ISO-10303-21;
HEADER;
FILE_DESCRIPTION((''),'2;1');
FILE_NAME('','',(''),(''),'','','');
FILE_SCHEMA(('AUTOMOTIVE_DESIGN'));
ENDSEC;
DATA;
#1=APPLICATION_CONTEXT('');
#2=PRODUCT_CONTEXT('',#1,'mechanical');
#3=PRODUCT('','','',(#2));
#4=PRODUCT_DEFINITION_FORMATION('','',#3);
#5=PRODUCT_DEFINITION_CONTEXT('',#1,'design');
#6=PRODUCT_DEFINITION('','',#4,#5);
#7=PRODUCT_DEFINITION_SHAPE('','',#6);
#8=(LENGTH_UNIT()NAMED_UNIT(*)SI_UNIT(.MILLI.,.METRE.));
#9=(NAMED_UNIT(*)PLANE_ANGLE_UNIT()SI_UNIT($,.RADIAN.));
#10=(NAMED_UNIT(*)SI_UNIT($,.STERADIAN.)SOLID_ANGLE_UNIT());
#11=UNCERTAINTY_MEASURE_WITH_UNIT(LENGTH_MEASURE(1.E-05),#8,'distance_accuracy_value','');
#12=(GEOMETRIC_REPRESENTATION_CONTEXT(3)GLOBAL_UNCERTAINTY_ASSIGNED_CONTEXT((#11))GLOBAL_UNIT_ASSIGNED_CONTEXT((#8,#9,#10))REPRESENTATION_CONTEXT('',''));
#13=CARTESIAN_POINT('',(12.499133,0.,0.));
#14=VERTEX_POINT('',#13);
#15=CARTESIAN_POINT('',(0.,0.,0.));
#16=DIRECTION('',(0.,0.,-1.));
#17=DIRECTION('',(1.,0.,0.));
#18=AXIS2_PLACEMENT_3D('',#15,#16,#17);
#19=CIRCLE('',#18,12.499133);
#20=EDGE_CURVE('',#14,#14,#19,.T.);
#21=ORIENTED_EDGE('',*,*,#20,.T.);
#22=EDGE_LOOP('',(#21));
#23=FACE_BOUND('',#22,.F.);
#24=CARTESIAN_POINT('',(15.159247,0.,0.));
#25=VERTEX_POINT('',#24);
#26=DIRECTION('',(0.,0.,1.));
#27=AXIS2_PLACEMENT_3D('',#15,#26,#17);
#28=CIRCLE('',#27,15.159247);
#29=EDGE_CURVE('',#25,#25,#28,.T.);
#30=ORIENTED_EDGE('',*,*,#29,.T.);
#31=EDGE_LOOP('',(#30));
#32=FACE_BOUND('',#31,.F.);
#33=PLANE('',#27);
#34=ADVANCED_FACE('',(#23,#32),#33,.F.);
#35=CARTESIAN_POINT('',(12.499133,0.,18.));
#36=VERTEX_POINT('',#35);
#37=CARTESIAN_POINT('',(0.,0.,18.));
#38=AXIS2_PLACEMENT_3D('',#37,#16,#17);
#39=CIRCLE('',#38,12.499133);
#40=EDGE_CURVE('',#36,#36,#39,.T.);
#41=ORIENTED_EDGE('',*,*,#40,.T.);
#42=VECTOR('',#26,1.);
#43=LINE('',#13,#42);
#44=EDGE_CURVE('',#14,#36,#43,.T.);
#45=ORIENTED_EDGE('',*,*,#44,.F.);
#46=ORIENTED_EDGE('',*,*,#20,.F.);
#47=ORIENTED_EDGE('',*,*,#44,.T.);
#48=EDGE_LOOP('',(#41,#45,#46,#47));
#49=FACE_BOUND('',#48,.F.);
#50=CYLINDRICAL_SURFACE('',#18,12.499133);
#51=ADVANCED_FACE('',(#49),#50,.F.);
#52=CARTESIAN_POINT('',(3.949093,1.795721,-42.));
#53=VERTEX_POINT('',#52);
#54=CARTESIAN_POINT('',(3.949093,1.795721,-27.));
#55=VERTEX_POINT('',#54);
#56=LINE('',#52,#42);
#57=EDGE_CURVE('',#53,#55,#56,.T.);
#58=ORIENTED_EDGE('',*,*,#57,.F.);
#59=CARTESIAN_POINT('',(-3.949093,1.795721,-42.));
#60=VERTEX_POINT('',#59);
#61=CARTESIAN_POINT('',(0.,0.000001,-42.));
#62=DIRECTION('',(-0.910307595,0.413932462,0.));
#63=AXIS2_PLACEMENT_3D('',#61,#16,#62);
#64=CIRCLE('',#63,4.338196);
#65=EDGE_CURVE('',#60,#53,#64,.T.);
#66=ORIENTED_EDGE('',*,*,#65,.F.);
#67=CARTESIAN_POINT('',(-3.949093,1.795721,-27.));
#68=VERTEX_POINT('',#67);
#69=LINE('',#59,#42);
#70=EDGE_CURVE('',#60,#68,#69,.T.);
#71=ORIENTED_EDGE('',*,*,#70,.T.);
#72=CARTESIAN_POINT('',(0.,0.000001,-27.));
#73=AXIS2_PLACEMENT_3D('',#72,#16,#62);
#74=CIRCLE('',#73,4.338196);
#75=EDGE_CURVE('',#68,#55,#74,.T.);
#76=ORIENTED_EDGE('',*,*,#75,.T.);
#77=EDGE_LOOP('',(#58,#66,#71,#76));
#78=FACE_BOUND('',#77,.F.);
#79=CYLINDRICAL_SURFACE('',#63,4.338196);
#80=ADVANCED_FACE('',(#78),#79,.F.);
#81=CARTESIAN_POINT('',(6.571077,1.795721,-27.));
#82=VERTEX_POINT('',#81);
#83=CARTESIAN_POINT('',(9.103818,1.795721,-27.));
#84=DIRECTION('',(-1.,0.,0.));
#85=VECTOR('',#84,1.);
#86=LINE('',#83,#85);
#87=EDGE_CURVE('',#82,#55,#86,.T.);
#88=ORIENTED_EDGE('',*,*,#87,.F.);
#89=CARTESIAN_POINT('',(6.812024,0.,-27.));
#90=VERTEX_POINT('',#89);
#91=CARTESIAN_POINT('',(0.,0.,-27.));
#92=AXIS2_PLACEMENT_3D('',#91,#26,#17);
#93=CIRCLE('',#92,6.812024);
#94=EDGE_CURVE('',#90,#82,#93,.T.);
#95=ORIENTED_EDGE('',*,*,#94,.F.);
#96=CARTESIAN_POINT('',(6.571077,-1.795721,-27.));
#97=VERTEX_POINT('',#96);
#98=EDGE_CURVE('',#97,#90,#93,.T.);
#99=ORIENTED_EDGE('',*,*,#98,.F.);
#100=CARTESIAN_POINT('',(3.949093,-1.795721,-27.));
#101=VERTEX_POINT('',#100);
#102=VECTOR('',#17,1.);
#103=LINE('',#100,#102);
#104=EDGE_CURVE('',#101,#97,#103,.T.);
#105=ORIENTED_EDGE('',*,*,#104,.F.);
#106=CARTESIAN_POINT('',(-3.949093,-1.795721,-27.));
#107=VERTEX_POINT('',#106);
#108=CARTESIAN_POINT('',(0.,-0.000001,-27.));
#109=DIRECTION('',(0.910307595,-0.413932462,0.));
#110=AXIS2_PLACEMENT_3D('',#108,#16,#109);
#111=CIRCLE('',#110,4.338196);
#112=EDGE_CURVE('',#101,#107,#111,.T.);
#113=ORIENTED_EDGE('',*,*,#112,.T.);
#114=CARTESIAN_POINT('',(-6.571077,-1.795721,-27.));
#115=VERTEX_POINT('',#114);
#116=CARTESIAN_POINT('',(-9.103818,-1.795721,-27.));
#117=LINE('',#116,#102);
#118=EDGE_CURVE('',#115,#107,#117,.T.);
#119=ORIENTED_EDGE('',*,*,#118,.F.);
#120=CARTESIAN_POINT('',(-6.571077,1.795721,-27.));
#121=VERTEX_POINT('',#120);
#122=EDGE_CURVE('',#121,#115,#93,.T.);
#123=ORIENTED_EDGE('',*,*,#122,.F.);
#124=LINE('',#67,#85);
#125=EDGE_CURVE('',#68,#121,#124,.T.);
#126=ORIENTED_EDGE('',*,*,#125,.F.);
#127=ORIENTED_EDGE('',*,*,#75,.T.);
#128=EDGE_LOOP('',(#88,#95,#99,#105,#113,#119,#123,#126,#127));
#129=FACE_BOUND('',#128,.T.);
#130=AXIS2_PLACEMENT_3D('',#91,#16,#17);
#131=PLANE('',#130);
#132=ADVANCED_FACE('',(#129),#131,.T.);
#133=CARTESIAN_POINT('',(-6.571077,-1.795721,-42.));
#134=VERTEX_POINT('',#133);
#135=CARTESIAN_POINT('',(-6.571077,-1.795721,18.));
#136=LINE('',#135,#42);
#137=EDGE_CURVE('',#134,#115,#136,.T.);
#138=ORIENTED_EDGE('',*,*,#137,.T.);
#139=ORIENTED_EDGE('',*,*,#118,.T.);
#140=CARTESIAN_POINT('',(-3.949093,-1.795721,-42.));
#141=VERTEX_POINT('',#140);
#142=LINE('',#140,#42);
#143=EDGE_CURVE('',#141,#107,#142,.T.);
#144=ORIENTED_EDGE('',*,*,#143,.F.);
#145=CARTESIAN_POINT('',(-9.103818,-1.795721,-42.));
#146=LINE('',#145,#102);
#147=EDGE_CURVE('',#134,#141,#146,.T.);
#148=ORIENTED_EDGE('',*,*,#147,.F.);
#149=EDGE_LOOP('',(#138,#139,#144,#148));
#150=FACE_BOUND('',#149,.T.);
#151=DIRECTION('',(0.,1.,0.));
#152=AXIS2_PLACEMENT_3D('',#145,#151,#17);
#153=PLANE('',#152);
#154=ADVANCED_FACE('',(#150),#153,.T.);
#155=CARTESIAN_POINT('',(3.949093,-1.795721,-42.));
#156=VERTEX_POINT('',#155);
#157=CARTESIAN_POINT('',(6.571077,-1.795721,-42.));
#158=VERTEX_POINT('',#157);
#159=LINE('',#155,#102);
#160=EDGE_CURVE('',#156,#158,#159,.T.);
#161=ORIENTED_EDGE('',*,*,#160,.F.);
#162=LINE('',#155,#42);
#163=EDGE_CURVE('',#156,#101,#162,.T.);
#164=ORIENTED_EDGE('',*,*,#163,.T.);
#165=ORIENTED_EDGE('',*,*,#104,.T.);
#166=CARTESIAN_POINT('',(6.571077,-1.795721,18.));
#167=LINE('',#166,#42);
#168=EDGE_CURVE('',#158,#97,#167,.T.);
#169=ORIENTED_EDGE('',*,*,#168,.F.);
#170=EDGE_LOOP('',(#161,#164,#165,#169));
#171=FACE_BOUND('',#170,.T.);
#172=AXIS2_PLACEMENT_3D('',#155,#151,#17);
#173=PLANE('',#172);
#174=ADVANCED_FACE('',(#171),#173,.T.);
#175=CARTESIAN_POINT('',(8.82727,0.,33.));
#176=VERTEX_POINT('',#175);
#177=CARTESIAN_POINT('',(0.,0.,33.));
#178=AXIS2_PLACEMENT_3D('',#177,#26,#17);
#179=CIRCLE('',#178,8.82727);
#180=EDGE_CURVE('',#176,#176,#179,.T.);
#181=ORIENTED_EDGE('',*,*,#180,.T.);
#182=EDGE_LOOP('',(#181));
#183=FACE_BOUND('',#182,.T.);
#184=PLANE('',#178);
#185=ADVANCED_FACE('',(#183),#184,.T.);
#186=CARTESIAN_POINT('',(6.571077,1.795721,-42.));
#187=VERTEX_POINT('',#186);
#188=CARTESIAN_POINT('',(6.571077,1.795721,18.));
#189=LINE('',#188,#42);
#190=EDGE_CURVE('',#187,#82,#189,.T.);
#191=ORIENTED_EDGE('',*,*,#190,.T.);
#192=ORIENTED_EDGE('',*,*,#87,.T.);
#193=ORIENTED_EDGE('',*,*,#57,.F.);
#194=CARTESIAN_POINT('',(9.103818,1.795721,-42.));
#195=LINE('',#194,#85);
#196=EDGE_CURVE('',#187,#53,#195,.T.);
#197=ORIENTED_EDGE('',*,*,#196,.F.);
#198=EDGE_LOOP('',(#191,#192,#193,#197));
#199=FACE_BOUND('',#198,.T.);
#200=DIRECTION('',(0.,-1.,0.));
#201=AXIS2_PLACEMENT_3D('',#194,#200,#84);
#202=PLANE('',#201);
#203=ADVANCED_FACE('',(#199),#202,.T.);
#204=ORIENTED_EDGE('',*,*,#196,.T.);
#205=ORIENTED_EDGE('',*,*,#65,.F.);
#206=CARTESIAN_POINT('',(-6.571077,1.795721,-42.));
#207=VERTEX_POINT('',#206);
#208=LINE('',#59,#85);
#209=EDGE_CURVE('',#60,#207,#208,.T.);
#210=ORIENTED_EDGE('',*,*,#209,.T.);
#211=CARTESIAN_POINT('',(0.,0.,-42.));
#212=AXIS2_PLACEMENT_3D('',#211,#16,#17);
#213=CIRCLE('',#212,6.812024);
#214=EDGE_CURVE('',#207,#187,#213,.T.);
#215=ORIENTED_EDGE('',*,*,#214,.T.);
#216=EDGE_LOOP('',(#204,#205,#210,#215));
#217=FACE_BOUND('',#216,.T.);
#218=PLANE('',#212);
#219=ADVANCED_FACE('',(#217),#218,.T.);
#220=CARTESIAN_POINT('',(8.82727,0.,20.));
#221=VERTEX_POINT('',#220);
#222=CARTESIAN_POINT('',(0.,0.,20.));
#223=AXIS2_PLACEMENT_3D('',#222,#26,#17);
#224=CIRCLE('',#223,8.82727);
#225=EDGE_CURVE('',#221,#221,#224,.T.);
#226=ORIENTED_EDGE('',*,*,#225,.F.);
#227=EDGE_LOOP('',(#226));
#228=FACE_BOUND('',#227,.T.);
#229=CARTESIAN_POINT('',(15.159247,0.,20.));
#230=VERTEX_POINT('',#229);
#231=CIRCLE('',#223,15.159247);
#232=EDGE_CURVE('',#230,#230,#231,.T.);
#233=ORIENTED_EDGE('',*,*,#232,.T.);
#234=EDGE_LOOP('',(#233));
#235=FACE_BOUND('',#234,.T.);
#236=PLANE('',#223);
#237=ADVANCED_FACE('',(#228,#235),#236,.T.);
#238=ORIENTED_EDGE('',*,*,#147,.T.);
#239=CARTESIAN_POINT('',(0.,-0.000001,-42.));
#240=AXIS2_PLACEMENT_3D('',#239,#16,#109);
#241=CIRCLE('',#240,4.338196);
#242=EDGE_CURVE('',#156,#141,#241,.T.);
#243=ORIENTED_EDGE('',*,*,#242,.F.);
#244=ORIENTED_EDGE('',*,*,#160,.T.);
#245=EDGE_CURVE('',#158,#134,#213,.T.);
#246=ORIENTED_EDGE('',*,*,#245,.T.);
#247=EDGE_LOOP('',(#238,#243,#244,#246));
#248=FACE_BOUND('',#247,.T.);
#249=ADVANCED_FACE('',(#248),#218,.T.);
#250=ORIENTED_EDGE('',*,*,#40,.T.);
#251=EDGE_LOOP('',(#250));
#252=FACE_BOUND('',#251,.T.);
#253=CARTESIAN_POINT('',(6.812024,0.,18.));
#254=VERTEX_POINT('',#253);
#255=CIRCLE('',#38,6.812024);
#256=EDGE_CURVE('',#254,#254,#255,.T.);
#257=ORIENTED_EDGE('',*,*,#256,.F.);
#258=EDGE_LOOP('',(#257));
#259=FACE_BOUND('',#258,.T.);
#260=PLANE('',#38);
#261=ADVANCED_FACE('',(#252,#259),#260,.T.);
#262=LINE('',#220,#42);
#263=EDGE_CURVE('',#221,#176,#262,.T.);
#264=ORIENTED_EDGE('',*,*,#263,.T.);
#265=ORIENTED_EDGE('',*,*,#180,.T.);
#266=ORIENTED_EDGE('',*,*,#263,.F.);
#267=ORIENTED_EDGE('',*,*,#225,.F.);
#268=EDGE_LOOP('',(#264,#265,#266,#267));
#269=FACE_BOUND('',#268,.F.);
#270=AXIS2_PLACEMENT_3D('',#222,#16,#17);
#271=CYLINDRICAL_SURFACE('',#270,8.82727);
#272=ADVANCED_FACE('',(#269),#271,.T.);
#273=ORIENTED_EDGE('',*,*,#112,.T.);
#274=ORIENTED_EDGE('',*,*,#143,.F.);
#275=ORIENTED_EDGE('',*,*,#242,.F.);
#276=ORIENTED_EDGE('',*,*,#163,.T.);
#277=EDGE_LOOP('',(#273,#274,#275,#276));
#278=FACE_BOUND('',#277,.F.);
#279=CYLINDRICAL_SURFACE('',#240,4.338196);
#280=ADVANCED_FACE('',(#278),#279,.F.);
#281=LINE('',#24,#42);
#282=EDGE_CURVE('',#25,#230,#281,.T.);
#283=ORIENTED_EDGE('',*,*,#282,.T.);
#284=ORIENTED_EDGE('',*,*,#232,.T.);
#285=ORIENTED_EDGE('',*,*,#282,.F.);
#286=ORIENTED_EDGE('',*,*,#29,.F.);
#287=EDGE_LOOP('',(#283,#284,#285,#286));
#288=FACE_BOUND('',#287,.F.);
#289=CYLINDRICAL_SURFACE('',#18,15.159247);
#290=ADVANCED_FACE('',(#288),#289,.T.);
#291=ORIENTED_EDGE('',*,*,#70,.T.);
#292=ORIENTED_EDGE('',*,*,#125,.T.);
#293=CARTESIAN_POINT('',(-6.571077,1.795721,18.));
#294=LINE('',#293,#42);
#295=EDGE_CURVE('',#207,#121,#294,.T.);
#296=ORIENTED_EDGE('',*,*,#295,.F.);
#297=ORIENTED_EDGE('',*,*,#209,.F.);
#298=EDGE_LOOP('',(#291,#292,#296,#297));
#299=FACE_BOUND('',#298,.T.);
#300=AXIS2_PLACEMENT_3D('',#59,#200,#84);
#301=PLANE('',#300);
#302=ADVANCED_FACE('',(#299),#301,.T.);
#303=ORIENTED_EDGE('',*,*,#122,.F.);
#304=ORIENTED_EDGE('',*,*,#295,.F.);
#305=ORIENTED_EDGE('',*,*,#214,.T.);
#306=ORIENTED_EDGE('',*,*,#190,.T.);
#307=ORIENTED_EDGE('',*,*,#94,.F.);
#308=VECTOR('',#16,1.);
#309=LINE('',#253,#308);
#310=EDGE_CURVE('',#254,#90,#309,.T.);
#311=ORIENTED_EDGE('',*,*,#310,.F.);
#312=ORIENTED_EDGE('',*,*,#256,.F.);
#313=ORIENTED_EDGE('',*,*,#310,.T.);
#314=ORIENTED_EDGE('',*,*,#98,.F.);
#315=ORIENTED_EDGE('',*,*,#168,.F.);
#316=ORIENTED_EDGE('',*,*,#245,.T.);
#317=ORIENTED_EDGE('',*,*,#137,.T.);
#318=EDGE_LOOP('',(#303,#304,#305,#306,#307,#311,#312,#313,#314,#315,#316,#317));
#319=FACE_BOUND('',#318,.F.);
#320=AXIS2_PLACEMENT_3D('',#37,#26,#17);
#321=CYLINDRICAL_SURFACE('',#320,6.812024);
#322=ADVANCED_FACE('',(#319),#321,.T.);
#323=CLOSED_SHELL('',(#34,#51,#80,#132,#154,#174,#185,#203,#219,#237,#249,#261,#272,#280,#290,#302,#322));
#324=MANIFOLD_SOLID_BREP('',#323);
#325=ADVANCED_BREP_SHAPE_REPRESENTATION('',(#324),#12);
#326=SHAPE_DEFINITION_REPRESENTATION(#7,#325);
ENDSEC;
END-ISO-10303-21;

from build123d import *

# Parameters (mm, degrees)
SKETCH_R        = 15.159247
PAD_DEPTH       = 20
SKETCH001_R     = 8.82727
PAD001_DEPTH    = 13
SKETCH002_R     = 12.499133
POCKET_DEPTH    = 18
SKETCH003_R     = 6.812024
PAD002_DEPTH    = 60
POCKET001_DEPTH = 15


with BuildPart() as part:
    # Sketch → Pad (new body)
    with BuildSketch(Plane.XY):
        Circle(SKETCH_R)
    extrude(amount=PAD_DEPTH)

    # Sketch001 (on Face3 of Pad) → Pad001 (join)
    with BuildSketch(Plane.XY.offset(20)):
        Circle(SKETCH001_R)
    extrude(amount=PAD001_DEPTH)

    # Sketch002 (on Face2 of Pad001) → Pocket (cut)
    with BuildSketch(Plane(origin=(0, 0, 0), x_dir=(1, 0, 0), z_dir=(0, 0, -1))):
        Circle(SKETCH002_R)
    extrude(amount=-POCKET_DEPTH, mode=Mode.SUBTRACT)

    # Sketch003 (on Face6 of Pocket) → Pad002 (join)
    with BuildSketch(Plane(origin=(0, 0, 18), x_dir=(1, 0, 0), z_dir=(0, 0, -1))):
        Circle(SKETCH003_R)
    extrude(amount=PAD002_DEPTH)

    # Sketch004 (on Face9 of Pad002) → Pocket001 (cut)
    with BuildSketch(Plane(origin=(0, 0, -42), x_dir=(1, 0, 0), z_dir=(0, 0, -1))):
        with BuildLine():
            ThreePointArc((-3.949093, -1.795721), (0, -4.338197), (3.949093, -1.795721))
            Line((9.103818, -1.795721), (3.949093, -1.795721))
            Line((9.103818, 1.795721), (9.103818, -1.795721))
            Line((3.949093, 1.795721), (9.103818, 1.795721))
            ThreePointArc((3.949093, 1.795721), (0, 4.338197), (-3.949093, 1.795721))
            Line((-9.103818, 1.795721), (-3.949093, 1.795721))
            Line((-9.103818, -1.795721), (-9.103818, 1.795721))
            Line((-3.949093, -1.795721), (-9.103818, -1.795721))
        make_face()
    extrude(amount=-POCKET001_DEPTH, mode=Mode.SUBTRACT)


solid = part.part
